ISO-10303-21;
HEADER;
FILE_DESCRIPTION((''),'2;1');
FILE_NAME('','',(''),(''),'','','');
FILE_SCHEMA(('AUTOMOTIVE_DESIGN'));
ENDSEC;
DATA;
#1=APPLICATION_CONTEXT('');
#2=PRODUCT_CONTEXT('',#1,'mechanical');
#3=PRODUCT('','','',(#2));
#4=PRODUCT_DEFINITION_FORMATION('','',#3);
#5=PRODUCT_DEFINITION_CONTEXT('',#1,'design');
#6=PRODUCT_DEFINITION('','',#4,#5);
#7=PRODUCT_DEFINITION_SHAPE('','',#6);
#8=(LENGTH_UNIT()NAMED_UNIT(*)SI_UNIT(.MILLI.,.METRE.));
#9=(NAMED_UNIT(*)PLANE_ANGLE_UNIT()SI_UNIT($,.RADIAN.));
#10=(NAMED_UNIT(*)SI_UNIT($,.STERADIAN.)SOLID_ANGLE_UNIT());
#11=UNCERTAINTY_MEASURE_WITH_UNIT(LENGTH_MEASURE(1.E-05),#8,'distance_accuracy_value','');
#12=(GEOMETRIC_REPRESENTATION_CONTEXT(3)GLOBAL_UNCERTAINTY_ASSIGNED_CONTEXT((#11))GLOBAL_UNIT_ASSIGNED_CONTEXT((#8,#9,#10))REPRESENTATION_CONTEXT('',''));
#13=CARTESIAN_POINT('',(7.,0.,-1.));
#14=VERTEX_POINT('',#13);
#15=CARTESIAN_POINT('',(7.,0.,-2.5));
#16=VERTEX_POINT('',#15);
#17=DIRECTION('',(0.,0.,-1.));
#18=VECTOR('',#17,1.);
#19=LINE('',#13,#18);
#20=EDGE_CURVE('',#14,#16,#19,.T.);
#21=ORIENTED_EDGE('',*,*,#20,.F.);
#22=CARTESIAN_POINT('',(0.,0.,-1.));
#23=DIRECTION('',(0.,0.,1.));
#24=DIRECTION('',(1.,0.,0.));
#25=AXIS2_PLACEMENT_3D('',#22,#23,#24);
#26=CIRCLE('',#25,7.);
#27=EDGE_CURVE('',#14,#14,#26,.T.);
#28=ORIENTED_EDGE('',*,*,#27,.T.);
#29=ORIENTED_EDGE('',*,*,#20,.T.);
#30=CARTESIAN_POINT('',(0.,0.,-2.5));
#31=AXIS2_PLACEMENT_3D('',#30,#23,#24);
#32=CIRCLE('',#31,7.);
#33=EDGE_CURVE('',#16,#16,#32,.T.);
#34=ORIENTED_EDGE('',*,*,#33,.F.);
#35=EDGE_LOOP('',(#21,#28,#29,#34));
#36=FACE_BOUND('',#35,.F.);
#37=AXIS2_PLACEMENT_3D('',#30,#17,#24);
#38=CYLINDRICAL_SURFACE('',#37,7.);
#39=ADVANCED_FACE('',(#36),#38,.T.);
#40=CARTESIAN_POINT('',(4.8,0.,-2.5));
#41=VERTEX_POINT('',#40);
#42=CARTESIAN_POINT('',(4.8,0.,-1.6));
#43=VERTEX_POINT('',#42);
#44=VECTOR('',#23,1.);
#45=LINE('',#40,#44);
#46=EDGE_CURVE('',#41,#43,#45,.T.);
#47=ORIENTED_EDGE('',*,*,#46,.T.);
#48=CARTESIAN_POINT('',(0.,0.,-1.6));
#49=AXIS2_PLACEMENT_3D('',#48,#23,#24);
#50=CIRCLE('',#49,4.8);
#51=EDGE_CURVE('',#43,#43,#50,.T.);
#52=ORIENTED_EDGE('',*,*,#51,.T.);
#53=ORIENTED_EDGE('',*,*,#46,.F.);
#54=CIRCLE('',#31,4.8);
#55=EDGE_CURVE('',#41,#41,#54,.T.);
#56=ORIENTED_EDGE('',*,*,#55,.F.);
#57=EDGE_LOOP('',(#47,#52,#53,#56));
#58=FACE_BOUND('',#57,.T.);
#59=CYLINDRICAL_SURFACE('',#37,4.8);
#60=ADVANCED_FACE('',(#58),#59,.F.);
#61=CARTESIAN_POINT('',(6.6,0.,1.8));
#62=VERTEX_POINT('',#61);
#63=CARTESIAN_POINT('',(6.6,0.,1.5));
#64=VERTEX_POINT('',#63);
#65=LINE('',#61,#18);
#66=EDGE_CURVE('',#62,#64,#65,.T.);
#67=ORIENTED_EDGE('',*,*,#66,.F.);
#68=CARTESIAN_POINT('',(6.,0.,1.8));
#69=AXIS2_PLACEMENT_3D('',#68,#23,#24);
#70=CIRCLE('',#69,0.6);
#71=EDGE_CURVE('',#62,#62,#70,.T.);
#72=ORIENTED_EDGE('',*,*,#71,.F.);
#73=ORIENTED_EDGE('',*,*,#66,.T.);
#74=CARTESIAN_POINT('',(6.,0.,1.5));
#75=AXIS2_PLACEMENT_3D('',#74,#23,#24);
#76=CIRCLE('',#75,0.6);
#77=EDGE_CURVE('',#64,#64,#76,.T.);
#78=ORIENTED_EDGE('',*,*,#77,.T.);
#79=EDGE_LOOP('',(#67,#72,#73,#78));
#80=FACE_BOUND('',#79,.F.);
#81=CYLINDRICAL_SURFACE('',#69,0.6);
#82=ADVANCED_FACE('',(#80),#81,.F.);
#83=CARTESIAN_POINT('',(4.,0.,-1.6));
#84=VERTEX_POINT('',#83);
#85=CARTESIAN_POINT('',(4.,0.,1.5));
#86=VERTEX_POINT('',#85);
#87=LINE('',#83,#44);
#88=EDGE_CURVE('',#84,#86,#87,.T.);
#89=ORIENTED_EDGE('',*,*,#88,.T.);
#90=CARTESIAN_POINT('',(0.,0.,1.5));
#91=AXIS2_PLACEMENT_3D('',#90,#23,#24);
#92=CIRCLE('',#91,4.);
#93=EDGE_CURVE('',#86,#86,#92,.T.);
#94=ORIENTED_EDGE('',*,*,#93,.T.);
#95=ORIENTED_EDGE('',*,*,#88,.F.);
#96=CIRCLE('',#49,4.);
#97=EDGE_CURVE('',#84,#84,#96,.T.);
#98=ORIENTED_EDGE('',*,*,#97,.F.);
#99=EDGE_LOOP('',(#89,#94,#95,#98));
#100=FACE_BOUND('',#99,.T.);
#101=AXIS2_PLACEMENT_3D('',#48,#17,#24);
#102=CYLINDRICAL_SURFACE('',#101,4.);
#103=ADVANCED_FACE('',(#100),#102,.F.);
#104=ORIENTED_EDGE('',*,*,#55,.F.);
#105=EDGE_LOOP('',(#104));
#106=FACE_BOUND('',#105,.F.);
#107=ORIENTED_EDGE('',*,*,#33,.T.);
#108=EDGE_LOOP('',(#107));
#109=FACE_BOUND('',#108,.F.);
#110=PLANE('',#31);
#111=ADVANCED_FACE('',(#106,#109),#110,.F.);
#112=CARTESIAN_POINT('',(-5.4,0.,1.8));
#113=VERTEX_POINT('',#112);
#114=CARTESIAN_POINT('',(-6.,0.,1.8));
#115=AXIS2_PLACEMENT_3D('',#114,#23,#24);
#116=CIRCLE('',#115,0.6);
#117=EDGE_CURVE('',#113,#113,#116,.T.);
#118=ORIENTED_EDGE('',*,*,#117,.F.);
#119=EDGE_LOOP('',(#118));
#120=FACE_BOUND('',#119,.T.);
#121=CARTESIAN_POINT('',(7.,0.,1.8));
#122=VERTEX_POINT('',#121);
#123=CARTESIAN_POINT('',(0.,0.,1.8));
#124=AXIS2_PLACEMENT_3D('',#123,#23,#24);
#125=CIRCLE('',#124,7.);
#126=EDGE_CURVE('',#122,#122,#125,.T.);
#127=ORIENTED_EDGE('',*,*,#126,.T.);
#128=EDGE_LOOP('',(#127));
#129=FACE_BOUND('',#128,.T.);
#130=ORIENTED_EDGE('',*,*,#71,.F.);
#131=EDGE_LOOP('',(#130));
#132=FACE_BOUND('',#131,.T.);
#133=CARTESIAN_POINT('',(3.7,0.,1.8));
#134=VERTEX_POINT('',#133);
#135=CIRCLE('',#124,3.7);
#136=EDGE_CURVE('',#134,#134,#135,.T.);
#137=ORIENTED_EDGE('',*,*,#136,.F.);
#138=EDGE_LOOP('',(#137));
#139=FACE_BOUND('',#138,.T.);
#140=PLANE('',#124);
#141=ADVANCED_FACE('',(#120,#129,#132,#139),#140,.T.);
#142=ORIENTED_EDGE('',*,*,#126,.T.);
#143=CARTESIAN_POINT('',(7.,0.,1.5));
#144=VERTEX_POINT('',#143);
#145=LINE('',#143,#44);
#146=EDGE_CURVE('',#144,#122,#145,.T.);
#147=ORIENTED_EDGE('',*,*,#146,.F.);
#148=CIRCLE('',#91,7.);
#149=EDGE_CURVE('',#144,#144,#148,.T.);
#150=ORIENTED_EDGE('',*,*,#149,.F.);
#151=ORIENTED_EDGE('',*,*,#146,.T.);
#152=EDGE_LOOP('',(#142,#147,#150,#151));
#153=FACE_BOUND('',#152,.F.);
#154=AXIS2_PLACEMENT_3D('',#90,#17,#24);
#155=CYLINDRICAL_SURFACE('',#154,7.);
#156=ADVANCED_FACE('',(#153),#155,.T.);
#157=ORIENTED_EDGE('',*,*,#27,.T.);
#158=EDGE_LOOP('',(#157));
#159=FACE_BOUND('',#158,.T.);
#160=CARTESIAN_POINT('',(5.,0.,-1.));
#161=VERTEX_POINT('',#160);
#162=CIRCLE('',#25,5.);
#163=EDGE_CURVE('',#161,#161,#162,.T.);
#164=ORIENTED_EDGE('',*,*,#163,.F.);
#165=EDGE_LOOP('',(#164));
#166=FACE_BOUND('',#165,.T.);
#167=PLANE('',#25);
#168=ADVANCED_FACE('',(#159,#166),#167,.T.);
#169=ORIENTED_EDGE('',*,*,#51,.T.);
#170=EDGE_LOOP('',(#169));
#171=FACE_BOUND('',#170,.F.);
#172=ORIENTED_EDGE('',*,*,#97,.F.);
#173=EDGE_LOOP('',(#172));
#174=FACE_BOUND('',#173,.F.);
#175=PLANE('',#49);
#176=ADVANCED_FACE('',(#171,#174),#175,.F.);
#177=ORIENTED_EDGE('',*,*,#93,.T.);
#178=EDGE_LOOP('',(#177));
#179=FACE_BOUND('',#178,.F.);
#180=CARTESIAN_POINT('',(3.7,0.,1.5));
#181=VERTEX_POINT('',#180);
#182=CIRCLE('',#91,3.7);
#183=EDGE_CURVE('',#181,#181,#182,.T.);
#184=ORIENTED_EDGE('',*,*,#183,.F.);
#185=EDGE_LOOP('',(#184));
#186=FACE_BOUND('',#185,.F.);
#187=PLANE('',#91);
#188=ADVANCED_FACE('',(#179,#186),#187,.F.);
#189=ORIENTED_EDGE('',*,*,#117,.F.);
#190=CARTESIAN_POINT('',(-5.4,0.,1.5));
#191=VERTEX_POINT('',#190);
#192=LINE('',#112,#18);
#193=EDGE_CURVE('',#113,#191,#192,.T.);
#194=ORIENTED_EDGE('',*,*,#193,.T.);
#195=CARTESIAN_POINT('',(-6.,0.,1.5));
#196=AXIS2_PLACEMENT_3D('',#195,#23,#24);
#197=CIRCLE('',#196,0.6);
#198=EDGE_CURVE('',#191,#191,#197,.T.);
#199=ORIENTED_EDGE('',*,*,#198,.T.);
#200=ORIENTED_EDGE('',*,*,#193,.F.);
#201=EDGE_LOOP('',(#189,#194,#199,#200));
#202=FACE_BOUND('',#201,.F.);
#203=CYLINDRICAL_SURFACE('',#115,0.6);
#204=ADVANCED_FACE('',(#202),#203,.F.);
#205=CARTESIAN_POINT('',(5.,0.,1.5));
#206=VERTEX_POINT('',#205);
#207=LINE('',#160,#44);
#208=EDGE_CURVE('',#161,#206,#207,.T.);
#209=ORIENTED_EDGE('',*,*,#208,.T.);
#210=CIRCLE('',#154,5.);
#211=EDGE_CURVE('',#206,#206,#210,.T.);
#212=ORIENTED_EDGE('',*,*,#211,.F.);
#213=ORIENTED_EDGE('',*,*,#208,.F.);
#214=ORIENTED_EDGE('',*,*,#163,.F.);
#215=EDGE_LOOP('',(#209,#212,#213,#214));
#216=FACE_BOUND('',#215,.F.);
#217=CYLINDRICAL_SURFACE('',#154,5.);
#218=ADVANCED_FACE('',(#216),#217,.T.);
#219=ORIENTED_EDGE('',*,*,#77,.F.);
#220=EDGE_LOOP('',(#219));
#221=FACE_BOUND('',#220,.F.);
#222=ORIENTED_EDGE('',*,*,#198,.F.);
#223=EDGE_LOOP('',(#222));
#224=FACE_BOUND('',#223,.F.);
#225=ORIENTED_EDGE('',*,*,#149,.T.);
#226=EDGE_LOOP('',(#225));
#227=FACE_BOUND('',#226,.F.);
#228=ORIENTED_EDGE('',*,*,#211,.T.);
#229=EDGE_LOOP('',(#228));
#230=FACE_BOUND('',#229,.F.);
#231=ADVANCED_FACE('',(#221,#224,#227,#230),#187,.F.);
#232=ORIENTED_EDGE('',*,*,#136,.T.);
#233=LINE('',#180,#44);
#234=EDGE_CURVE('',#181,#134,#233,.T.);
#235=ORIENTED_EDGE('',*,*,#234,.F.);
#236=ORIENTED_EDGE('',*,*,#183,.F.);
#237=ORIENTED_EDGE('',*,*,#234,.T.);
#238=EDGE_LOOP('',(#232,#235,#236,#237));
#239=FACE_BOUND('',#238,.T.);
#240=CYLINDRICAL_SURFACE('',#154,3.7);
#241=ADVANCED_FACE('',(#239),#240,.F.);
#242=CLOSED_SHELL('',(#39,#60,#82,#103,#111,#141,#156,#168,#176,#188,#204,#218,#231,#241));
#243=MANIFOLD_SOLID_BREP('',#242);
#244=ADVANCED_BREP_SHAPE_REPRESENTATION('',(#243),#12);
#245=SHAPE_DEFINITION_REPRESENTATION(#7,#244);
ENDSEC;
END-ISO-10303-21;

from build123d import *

# Parameters (mm, degrees)
D10_PILOT_AND_M10X0P5_THREAD_ENVELOPE_START = -1
SKETCH1_R                                   = 5
SKETCH1_R_2                                 = 4
D10_PILOT_AND_M10X0P5_THREAD_ENVELOPE_DEPTH = 2.5
OUTER_RACE_INNER_SHOULDER_ID7P4_START       = 1.5
SKETCH2_R                                   = 5
SKETCH2_R_2                                 = 3.7
OUTER_RACE_INNER_SHOULDER_ID7P4_DEPTH       = 0.3
INBOARD_G10_RETENTION_FLANGE_H0P3_START     = 1.5
SKETCH3_R                                   = 7
SKETCH3_R_2                                 = 3.7
INBOARD_G10_RETENTION_FLANGE_H0P3_DEPTH     = 0.3
M14X0P5_BEARING_CAP_BOSS_START              = -1.6
SKETCH4_R                                   = 7
SKETCH4_R_2                                 = 4
M14X0P5_BEARING_CAP_BOSS_DEPTH              = 0.6
FLANGED_RACE_POCKET_D9P6_START              = -2.5
SKETCH5_R                                   = 7
SKETCH5_R_2                                 = 4.8
FLANGED_RACE_POCKET_D9P6_DEPTH              = 0.9
SKETCH6_R                                   = 0.6
TWO_PIN_WRENCH_HOLES_D1P2_DEPTH             = 0.301


with BuildPart() as part:
    # Sketch1 → D10_Pilot_And_M10x0p5_Thread_Envelope (new body)
    with BuildSketch(Plane.XY.offset(D10_PILOT_AND_M10X0P5_THREAD_ENVELOPE_START)):
        Circle(SKETCH1_R)
        Circle(SKETCH1_R_2, mode=Mode.SUBTRACT)
    extrude(amount=D10_PILOT_AND_M10X0P5_THREAD_ENVELOPE_DEPTH)

    # Sketch2 → Outer_Race_Inner_Shoulder_ID7p4 (add)
    with BuildSketch(Plane.XY.offset(OUTER_RACE_INNER_SHOULDER_ID7P4_START)):
        Circle(SKETCH2_R)
        Circle(SKETCH2_R_2, mode=Mode.SUBTRACT)
    extrude(amount=OUTER_RACE_INNER_SHOULDER_ID7P4_DEPTH)

    # Sketch3 → Inboard_G10_Retention_Flange_H0p3 (add)
    with BuildSketch(Plane.XY.offset(INBOARD_G10_RETENTION_FLANGE_H0P3_START)):
        Circle(SKETCH3_R)
        Circle(SKETCH3_R_2, mode=Mode.SUBTRACT)
    extrude(amount=INBOARD_G10_RETENTION_FLANGE_H0P3_DEPTH)

    # Sketch4 → M14x0p5_Bearing_Cap_Boss (add)
    with BuildSketch(Plane.XY.offset(M14X0P5_BEARING_CAP_BOSS_START)):
        Circle(SKETCH4_R)
        Circle(SKETCH4_R_2, mode=Mode.SUBTRACT)
    extrude(amount=M14X0P5_BEARING_CAP_BOSS_DEPTH)

    # Sketch5 → Flanged_Race_Pocket_D9p6 (add)
    with BuildSketch(Plane.XY.offset(FLANGED_RACE_POCKET_D9P6_START)):
        Circle(SKETCH5_R)
        Circle(SKETCH5_R_2, mode=Mode.SUBTRACT)
    extrude(amount=FLANGED_RACE_POCKET_D9P6_DEPTH)

    # Sketch6 → Two_Pin_Wrench_Holes_D1p2 (cut)
    with BuildSketch(Plane.XY.offset(1.8)):
        with Locations((-6, 0)):
            Circle(SKETCH6_R)
        with Locations((6, 0)):
            Circle(SKETCH6_R)
    extrude(amount=-TWO_PIN_WRENCH_HOLES_D1P2_DEPTH, mode=Mode.SUBTRACT)


solid = part.part
